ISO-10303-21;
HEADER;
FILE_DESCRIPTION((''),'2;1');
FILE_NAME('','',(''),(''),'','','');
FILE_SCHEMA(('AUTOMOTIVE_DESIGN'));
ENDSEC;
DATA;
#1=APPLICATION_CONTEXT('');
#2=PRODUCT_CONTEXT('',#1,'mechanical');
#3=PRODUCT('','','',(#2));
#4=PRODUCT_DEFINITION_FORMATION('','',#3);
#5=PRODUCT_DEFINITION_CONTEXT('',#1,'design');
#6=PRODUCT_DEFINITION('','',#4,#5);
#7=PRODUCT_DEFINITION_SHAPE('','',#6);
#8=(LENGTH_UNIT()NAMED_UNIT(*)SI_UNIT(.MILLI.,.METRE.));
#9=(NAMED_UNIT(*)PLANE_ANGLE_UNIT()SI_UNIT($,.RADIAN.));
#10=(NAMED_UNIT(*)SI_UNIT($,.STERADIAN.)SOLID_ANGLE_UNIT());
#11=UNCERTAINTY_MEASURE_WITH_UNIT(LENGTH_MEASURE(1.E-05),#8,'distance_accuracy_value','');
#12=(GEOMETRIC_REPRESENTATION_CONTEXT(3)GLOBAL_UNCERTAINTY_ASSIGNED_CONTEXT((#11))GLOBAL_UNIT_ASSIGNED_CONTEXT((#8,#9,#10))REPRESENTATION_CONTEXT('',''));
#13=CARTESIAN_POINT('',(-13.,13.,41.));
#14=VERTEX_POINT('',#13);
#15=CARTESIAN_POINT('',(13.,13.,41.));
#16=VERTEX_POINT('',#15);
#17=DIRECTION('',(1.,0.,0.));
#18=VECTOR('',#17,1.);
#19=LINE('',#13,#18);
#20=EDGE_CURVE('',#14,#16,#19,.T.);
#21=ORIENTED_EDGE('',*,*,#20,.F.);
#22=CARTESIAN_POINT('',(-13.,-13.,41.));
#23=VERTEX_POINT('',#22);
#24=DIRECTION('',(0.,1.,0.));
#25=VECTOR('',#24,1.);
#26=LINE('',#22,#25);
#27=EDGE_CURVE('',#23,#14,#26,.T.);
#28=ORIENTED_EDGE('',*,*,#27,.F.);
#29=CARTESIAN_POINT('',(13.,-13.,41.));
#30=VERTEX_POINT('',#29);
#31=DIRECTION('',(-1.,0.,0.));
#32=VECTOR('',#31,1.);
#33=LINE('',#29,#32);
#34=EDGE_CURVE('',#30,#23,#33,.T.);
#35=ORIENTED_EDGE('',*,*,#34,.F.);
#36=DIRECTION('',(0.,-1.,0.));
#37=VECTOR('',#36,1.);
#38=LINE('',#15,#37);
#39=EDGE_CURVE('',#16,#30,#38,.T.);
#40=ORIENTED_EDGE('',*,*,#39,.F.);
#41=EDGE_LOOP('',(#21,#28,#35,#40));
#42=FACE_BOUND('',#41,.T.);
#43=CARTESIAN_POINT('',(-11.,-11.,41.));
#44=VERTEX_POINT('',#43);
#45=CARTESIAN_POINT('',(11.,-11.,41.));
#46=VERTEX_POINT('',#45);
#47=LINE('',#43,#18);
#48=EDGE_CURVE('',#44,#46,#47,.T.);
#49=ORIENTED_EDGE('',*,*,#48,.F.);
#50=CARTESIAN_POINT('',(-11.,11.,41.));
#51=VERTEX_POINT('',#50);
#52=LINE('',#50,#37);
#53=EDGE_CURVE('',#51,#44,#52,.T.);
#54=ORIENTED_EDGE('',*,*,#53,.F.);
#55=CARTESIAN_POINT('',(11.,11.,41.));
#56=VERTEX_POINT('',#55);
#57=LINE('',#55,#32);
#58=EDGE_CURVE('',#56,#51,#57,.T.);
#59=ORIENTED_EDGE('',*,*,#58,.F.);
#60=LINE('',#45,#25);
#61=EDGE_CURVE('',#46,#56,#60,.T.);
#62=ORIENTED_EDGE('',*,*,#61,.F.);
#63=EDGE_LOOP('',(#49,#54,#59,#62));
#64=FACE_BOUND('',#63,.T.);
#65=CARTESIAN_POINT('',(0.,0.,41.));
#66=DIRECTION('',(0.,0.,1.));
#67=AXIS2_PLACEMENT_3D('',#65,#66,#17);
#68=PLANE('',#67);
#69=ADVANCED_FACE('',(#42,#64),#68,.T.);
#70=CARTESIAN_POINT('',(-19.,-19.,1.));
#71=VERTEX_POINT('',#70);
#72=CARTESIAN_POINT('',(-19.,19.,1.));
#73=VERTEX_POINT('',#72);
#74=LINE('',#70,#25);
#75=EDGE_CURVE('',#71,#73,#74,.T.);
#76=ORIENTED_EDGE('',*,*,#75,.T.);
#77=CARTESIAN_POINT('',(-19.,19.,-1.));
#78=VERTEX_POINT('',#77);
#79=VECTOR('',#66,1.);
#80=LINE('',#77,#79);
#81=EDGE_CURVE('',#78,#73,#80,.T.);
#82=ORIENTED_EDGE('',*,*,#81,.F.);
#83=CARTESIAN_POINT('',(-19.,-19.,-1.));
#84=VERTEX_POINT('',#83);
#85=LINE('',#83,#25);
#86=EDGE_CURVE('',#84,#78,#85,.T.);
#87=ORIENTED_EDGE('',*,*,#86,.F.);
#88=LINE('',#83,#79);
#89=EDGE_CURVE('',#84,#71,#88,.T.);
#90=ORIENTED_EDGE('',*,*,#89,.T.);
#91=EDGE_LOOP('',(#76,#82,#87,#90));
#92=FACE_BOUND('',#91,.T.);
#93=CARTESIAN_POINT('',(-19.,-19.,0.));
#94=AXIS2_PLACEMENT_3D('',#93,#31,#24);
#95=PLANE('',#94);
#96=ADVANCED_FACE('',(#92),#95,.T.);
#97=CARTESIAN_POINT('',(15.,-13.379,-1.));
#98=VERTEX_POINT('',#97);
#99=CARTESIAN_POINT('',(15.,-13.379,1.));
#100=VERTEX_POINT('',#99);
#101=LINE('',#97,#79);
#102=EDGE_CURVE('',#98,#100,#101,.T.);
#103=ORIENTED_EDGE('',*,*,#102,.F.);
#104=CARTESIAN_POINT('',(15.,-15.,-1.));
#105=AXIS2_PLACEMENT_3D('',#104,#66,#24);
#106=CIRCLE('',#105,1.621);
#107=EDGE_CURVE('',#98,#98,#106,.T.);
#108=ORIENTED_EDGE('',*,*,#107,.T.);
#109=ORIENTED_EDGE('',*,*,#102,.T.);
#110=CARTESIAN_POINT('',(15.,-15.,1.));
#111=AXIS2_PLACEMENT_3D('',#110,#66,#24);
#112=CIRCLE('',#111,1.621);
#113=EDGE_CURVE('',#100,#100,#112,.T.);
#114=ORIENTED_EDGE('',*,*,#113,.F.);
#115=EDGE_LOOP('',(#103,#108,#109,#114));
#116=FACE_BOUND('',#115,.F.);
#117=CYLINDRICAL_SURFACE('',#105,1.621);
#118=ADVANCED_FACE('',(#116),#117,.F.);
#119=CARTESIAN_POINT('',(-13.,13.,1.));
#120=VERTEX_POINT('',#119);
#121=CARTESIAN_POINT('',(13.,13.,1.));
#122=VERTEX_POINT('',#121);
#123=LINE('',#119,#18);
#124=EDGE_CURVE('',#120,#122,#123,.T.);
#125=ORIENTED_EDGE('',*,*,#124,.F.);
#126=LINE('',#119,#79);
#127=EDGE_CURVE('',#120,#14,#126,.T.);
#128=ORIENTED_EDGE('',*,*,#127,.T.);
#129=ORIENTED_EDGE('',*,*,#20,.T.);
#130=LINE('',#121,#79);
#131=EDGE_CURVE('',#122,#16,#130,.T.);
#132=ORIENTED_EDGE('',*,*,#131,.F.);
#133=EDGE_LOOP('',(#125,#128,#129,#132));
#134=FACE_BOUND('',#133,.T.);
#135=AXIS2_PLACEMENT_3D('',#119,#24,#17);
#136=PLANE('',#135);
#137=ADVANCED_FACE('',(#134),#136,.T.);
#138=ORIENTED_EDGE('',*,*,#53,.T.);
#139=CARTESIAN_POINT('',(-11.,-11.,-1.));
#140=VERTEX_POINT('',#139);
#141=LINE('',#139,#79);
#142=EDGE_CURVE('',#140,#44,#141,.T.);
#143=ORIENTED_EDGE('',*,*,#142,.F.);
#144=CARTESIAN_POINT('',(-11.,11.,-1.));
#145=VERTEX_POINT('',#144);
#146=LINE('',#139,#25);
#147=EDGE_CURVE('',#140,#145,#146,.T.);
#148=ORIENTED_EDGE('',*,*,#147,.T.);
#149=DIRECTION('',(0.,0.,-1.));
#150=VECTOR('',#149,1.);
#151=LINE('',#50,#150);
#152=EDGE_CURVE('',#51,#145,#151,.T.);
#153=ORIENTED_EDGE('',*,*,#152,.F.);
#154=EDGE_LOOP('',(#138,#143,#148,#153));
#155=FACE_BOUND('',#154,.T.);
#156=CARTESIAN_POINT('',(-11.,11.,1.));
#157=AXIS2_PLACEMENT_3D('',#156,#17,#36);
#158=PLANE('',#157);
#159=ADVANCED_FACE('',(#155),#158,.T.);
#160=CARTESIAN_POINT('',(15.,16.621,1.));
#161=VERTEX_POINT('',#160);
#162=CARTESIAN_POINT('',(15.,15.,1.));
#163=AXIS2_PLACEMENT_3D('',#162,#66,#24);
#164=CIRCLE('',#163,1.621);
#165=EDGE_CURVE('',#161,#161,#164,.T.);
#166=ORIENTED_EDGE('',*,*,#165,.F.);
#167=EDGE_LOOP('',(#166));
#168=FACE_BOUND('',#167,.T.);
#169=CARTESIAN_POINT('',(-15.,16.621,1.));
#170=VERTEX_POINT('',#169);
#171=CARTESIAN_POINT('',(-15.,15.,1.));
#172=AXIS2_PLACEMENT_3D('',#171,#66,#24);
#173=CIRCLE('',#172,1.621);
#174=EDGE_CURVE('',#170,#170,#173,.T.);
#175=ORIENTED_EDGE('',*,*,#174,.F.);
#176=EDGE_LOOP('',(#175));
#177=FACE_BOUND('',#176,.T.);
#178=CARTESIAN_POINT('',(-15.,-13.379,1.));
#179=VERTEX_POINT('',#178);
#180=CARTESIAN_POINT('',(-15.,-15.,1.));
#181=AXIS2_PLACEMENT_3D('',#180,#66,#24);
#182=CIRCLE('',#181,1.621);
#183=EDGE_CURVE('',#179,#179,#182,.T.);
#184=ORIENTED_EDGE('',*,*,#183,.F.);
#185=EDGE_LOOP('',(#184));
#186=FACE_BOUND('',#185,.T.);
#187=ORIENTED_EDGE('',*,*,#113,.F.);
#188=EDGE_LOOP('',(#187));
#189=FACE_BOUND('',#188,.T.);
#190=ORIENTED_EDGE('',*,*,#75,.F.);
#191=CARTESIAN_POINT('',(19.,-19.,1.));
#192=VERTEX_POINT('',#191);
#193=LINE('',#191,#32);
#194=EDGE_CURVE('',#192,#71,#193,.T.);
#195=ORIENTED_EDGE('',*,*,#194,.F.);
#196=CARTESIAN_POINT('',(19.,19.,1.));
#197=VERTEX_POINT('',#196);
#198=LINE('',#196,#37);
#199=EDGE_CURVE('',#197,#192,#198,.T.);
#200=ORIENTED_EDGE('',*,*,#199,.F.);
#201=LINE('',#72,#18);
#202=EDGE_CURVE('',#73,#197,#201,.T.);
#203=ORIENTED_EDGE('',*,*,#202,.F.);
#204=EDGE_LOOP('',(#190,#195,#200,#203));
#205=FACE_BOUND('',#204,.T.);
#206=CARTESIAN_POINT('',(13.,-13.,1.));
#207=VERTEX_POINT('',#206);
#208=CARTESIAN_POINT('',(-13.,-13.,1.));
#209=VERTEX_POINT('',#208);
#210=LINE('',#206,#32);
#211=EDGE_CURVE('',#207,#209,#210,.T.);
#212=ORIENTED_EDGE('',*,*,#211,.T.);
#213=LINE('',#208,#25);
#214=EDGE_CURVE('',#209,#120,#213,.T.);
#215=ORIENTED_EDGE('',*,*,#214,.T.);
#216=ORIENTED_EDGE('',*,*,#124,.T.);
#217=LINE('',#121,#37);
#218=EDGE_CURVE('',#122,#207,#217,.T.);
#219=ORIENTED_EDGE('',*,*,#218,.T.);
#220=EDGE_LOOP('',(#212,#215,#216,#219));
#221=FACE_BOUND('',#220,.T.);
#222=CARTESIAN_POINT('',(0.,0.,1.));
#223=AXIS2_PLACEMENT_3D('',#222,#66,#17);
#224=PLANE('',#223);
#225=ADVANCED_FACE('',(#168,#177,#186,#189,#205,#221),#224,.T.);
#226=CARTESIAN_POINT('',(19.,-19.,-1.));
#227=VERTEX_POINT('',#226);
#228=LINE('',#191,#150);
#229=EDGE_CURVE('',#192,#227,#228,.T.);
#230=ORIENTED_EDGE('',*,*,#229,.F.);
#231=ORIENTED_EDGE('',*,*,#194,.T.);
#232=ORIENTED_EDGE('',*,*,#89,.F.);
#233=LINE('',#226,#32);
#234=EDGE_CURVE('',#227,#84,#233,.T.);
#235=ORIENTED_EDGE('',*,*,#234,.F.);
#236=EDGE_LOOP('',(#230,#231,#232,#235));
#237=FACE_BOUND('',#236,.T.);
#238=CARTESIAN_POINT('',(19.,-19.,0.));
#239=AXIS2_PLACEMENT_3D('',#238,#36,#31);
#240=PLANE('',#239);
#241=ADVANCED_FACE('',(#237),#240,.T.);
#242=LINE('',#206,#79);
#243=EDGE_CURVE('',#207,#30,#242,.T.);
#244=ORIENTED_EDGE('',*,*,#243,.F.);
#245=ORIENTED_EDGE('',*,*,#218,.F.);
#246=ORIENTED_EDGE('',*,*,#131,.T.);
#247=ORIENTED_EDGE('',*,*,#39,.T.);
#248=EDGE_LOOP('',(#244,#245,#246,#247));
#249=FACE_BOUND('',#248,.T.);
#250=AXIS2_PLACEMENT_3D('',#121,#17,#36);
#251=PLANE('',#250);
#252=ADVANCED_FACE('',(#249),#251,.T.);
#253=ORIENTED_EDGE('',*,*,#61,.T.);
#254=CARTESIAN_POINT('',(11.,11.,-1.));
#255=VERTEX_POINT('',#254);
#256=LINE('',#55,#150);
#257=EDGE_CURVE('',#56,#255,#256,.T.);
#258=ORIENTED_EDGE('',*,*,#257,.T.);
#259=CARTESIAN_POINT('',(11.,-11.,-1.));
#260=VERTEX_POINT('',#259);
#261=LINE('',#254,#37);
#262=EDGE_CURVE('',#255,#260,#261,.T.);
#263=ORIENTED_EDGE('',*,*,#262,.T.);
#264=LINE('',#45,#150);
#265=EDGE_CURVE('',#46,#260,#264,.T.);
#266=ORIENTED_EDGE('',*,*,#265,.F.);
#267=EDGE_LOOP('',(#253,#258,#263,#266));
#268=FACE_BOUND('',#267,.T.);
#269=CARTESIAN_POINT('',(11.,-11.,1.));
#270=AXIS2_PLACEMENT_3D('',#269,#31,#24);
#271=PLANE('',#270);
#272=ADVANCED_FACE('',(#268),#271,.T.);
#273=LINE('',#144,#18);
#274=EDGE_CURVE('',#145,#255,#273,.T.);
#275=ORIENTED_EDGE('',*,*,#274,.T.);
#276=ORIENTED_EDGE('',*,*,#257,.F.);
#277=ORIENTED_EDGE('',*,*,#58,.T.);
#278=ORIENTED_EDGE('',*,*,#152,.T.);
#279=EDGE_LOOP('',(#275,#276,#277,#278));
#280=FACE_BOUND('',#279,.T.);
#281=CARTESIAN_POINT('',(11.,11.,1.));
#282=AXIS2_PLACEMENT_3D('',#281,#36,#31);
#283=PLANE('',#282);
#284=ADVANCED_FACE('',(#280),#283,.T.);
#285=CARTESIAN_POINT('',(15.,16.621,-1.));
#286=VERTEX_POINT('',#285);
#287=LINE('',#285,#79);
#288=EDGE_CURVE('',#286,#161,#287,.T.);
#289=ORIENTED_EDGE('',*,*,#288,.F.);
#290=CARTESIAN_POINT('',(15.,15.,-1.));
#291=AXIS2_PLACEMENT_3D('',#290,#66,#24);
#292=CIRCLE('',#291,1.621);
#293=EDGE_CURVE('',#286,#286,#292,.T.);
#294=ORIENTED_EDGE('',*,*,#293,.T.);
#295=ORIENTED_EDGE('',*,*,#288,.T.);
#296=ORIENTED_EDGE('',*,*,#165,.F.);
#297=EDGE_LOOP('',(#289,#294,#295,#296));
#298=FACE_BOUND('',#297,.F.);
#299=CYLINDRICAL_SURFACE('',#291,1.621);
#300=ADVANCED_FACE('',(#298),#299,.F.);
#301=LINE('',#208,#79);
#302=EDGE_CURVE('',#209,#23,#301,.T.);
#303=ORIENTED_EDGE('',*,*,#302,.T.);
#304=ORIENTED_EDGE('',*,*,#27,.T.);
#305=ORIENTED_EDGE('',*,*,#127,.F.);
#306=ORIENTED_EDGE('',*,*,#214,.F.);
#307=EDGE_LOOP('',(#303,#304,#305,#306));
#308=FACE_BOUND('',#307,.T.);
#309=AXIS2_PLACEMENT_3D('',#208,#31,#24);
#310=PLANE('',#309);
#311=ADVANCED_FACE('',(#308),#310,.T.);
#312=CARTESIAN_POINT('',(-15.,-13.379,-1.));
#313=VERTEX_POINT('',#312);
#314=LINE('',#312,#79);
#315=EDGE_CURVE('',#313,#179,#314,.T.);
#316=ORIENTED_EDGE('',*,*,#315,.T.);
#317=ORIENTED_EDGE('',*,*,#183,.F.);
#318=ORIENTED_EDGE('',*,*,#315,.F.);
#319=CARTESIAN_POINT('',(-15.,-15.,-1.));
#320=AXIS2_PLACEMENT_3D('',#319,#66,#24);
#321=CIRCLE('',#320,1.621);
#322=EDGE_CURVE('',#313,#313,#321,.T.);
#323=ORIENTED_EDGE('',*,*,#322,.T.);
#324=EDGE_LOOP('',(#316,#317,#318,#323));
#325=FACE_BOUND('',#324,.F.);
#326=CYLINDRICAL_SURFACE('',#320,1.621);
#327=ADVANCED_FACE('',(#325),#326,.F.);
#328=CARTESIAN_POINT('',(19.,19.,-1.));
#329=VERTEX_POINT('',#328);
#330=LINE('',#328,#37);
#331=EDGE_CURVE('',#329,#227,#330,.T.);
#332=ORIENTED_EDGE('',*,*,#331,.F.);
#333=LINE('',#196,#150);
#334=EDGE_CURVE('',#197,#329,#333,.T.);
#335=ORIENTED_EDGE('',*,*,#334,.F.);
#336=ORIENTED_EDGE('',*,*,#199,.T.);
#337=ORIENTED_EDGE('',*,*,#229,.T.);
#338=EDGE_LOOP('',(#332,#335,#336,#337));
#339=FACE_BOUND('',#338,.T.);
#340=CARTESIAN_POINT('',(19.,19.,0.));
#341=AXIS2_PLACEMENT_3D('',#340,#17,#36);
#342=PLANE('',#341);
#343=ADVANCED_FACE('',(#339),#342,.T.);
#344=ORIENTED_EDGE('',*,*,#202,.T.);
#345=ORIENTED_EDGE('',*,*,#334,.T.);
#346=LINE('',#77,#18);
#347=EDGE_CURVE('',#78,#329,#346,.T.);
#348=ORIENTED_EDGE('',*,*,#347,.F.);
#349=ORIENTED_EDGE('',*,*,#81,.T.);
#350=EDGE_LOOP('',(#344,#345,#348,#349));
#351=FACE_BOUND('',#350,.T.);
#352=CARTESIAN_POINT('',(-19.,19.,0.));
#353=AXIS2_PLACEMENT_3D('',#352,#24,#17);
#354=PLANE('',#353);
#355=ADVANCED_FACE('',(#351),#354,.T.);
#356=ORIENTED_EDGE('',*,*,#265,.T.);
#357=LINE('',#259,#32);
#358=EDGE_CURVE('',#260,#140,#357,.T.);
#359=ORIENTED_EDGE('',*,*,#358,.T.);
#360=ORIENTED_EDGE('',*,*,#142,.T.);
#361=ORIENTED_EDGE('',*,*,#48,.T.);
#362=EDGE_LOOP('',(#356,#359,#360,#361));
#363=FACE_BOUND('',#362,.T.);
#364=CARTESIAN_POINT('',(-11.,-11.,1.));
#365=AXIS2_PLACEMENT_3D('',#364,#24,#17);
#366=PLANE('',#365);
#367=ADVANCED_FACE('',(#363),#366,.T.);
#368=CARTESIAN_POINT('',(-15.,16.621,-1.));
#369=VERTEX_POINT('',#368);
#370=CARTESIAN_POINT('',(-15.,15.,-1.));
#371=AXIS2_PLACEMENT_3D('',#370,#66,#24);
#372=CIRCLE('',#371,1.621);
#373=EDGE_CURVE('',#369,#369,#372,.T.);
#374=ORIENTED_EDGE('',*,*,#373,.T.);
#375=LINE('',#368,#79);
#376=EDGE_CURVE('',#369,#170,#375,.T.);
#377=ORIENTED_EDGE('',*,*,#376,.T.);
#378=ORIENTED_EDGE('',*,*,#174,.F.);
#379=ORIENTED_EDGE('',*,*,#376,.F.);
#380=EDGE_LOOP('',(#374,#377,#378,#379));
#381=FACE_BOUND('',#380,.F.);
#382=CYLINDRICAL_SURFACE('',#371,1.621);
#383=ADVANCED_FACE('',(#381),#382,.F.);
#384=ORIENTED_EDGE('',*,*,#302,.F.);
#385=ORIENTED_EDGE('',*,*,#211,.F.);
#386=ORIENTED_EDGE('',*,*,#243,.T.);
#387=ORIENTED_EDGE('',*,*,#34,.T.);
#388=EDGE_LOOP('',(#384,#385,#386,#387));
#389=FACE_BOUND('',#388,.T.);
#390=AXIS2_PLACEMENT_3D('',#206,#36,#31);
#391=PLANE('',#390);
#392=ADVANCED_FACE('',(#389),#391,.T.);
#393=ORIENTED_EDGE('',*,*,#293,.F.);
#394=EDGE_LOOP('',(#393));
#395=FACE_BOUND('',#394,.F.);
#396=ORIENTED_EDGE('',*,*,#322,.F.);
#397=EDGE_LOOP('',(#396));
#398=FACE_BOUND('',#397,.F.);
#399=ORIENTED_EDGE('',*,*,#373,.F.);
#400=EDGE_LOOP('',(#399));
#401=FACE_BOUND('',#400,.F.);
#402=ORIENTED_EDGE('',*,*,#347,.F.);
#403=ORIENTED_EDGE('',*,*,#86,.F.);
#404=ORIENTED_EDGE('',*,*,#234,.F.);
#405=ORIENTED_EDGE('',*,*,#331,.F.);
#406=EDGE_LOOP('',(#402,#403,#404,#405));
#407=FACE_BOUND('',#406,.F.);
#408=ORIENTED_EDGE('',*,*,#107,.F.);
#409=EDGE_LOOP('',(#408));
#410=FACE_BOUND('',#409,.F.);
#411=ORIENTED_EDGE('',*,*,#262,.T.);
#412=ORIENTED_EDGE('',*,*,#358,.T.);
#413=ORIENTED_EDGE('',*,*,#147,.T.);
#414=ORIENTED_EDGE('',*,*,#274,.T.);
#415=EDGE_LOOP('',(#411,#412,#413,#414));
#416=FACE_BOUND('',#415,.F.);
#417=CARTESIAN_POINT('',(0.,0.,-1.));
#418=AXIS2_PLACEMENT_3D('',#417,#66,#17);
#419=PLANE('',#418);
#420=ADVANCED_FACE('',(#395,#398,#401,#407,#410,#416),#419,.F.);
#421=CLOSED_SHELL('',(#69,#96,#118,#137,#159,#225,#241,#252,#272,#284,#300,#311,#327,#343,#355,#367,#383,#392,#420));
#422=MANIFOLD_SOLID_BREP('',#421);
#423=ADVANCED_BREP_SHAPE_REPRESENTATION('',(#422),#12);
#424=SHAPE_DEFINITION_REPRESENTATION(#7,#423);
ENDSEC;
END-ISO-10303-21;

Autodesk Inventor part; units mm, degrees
ref_plane "YZ Plane" through (0, 0, 0) normal (1, 0, 0) x (0, 1, 0)
ref_plane "XZ Plane" through (0, 0, 0) normal (0, 1, 0) x (-1, 0, 0)
ref_plane "XY Plane" through (0, 0, 0) normal (0, 0, 1) x (1, 0, 0)
sketch "Sketch1" plane through (0, 0, 0) normal (0, 0, 1) x (1, 0, 0)
  line L0 (-19, 19) -> (19, 19)
  line L1 (19, 19) -> (19, -19)
  line L2 (19, -19) -> (-19, -19)
  line L3 (-19, -19) -> (-19, 19)
  line L4 (-19, 19) -> (19, -19) construction
  line L5 (19, 19) -> (-19, -19) construction
  line L6 (-11, 11) -> (11, 11)
  line L7 (11, 11) -> (11, -11)
  line L8 (11, -11) -> (-11, -11)
  line L9 (-11, -11) -> (-11, 11)
  line L10 (-11, 11) -> (11, -11) construction
  line L11 (11, 11) -> (-11, -11) construction
  point P0 (0, 0)
  dimension "d0" = 38
  dimension "d1" = 38
  dimension "d2" = 22
  dimension "d3" = 22
extrude "Extrusion1" add sketch "Sketch1" along normal mid plane 2
sketch "Sketch2" plane through (0, 0, 1) normal (0, 0, 1) x (1, 0, 0)
  line L0 (-13, 13) -> (13, 13)
  line L1 (13, 13) -> (13, -13)
  line L2 (13, -13) -> (-13, -13)
  line L3 (-13, -13) -> (-13, 13)
  line L4 (-13, 13) -> (13, -13) construction
  line L5 (13, 13) -> (-13, -13) construction
  line L6 (-11, -11) -> (11, -11)
  line L7 (11, -11) -> (11, 11)
  line L8 (11, 11) -> (-11, 11)
  line L9 (-11, 11) -> (-11, -11)
  line L10 (-11, -11) -> (11, 11) construction
  line L11 (11, -11) -> (-11, 11) construction
  point P0 (0, 0)
  dimension "d6" = 26
  dimension "d7" = 26
  dimension "d8" = 22
extrude "Extrusion2" add sketch "Sketch2" along normal blind 40
sketch "Sketch3" plane through (0, 0, -1) normal (0, 0, -1) x (-1, 0, 0)
  line L0 (11, -11) -> (11, 11) projected
  line L1 (11, 11) -> (-11, 11) projected
  line L2 (-11, 11) -> (-11, -11) projected
  line L3 (-11, -11) -> (11, -11) projected
  line L4 (19, 19) -> (19, -19) projected
  line L5 (19, -19) -> (-19, -19) projected
  line L6 (-19, -19) -> (-19, 19) projected
  line L7 (-19, 19) -> (19, 19) projected
  point P0 (0, 0)
  point P1 (15, -15)
  point P2 (-15, -15)
  point P3 (15, 15)
  point P4 (-15, 15)
  dimension "d11" = 15
  dimension "d12" = 15
  dimension "d15" = 30
  dimension "d18" = 30
hole "Hole1" at (-15, -15, -1) at (15, -15, -1) at (-15, 15, -1) at (15, 15, -1) direction (0, 0, 1) diameter 3.242 end through all thread size "M4x0.7" class "6H" standard "ANSI Metric M Profile"
equation "\"d1\" = d0"
equation "\"d3\" = d2"
equation "\"d7\" = d6"
properties part number "pmtholder"
